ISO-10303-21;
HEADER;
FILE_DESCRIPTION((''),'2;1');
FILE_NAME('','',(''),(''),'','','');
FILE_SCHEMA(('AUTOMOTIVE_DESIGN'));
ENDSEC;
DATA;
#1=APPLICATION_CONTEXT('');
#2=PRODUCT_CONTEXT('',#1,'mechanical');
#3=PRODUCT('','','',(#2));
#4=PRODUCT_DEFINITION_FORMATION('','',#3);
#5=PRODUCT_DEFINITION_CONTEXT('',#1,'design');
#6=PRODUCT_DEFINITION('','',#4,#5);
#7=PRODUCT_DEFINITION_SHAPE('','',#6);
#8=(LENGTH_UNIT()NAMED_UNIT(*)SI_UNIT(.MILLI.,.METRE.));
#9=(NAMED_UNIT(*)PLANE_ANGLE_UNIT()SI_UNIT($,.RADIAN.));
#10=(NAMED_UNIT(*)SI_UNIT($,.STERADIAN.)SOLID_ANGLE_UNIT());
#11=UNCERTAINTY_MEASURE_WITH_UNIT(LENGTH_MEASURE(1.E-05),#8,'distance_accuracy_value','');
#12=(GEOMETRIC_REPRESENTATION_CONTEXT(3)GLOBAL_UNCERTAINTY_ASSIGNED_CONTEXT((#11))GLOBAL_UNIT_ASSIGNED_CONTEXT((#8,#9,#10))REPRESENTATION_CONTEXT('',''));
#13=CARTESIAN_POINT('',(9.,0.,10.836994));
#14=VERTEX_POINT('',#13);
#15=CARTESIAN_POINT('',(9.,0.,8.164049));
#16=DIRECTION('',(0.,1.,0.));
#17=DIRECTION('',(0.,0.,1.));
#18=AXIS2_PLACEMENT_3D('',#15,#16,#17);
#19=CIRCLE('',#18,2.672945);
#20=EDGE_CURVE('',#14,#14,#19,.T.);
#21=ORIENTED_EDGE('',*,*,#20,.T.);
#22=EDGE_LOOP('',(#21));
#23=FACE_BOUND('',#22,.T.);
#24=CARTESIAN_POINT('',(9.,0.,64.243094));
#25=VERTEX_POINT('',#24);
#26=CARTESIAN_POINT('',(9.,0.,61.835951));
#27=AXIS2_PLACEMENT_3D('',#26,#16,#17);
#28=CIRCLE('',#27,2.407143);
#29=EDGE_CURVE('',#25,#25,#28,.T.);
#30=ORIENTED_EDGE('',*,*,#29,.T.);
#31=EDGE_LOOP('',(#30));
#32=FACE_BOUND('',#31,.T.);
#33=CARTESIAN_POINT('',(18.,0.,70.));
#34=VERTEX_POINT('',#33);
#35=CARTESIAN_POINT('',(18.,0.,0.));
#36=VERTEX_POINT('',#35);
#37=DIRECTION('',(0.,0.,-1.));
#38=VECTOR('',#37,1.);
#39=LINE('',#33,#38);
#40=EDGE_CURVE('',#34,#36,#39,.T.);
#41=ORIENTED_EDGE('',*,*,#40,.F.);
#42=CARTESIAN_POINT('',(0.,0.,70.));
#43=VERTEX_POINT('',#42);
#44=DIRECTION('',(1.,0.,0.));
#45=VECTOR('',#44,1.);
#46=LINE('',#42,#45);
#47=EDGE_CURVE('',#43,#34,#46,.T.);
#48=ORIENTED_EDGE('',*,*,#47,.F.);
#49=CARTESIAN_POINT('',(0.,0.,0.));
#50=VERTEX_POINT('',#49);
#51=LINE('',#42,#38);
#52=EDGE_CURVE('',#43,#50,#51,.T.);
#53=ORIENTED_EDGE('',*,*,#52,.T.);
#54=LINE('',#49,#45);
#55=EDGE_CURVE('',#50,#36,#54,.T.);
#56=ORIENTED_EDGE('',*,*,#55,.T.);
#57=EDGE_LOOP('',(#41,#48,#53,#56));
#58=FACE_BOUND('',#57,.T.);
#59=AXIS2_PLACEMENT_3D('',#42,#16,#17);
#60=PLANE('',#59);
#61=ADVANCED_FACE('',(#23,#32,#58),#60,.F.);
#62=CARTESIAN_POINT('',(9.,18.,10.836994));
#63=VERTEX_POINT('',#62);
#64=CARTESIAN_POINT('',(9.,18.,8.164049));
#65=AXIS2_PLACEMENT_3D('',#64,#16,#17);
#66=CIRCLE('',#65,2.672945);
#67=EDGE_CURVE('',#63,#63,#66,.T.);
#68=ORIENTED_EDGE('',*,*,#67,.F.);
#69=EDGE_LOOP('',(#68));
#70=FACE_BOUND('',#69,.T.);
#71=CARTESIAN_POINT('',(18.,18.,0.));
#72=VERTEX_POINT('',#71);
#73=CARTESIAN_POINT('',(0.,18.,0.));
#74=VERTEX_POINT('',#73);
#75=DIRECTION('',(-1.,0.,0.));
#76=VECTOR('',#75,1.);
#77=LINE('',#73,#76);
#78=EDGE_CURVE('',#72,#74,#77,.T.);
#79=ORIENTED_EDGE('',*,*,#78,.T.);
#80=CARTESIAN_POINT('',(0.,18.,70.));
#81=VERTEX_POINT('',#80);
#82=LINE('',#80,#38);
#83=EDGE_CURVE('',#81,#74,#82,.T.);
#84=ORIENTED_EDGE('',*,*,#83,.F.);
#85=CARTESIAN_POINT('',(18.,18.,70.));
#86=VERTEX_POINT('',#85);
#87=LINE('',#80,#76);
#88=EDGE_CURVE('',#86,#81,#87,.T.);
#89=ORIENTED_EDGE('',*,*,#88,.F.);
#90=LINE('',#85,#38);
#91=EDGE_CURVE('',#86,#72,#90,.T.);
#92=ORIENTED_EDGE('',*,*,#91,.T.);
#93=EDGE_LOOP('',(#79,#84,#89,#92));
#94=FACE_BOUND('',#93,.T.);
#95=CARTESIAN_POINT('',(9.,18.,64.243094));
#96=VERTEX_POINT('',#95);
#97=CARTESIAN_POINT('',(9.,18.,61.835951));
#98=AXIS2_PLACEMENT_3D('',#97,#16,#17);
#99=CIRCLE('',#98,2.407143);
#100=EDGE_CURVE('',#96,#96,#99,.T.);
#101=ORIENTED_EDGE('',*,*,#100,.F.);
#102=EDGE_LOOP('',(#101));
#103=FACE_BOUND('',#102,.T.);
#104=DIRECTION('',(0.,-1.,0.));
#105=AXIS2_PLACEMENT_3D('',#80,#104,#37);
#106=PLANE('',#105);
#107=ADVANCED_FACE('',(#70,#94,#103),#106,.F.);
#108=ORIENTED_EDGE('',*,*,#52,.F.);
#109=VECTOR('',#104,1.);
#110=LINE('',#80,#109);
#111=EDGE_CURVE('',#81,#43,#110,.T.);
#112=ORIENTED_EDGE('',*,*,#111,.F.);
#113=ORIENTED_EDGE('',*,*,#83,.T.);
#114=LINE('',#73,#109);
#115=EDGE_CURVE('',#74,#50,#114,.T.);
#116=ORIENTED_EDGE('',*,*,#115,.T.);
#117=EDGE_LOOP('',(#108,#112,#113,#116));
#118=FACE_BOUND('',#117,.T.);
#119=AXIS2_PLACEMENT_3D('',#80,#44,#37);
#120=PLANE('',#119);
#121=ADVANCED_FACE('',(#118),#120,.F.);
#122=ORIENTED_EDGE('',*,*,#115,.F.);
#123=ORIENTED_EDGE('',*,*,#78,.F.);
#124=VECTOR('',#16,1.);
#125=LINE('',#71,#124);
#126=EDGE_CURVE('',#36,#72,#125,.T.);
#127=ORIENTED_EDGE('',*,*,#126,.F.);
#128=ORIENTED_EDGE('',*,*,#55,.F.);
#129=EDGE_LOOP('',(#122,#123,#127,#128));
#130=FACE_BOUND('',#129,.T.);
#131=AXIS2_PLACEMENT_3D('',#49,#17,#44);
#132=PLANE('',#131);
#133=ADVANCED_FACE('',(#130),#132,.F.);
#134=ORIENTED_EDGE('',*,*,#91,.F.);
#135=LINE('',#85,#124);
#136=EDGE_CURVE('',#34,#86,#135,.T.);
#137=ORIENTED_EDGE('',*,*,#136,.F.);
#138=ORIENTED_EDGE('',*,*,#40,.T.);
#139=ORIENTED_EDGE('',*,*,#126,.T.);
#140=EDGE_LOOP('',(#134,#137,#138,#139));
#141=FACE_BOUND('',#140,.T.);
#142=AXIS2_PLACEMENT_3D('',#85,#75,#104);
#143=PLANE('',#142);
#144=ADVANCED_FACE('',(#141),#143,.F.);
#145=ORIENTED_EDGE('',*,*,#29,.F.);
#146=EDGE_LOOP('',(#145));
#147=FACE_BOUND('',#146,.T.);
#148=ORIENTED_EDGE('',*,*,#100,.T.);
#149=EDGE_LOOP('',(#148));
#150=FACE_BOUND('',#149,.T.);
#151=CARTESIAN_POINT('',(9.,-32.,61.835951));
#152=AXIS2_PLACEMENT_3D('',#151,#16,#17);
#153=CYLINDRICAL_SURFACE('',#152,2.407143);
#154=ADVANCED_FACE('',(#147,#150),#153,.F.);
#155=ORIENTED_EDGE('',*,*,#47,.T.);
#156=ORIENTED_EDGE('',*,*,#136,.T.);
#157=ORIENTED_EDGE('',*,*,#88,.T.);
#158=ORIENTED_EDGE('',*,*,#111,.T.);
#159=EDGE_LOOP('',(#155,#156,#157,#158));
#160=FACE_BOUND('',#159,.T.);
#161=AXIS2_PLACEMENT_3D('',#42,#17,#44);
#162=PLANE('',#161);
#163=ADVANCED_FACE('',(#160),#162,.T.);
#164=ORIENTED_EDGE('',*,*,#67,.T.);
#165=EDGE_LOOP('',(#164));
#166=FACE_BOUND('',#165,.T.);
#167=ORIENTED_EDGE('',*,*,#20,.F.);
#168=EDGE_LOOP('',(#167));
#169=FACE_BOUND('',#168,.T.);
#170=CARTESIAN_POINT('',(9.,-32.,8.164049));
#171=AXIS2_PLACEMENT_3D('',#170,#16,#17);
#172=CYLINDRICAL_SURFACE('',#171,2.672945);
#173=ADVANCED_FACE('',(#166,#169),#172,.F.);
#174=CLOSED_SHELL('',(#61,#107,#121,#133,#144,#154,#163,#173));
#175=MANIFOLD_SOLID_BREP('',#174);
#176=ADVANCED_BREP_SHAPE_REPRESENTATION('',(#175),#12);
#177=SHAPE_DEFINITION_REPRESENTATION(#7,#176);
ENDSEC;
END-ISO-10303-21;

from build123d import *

# Parameters (mm, degrees)
ESQUISSE1_W             = 18
ESQUISSE1_H             = 18
BOSS_EXTRU_1_DEPTH      = 70
ESQUISSE4_R             = 2.407143036
ESQUISSE4_R_2           = 2.672945279
ENL_V_MAT_EXTRU_1_DEPTH = 50


with BuildPart() as part:
    # Esquisse1 → Boss.-Extru.1 (new body)
    with BuildSketch(Plane.XY):
        with Locations((9, 9)):
            Rectangle(ESQUISSE1_W, ESQUISSE1_H)
    extrude(amount=BOSS_EXTRU_1_DEPTH)

    # Esquisse4 → Enlèv. mat.-Extru.1 (cut)
    with BuildSketch(Plane(origin=(0, 18, 0), x_dir=(1, 0, 0), z_dir=(0, 1, 0))):
        with Locations(Location((9, -61.835951373, 0), (0, 0, 270))):
            Circle(ESQUISSE4_R)
        with Locations(Location((9, -8.164048627, 0), (0, 0, 270))):
            Circle(ESQUISSE4_R_2)
    extrude(amount=-ENL_V_MAT_EXTRU_1_DEPTH, mode=Mode.SUBTRACT)


solid = part.part
